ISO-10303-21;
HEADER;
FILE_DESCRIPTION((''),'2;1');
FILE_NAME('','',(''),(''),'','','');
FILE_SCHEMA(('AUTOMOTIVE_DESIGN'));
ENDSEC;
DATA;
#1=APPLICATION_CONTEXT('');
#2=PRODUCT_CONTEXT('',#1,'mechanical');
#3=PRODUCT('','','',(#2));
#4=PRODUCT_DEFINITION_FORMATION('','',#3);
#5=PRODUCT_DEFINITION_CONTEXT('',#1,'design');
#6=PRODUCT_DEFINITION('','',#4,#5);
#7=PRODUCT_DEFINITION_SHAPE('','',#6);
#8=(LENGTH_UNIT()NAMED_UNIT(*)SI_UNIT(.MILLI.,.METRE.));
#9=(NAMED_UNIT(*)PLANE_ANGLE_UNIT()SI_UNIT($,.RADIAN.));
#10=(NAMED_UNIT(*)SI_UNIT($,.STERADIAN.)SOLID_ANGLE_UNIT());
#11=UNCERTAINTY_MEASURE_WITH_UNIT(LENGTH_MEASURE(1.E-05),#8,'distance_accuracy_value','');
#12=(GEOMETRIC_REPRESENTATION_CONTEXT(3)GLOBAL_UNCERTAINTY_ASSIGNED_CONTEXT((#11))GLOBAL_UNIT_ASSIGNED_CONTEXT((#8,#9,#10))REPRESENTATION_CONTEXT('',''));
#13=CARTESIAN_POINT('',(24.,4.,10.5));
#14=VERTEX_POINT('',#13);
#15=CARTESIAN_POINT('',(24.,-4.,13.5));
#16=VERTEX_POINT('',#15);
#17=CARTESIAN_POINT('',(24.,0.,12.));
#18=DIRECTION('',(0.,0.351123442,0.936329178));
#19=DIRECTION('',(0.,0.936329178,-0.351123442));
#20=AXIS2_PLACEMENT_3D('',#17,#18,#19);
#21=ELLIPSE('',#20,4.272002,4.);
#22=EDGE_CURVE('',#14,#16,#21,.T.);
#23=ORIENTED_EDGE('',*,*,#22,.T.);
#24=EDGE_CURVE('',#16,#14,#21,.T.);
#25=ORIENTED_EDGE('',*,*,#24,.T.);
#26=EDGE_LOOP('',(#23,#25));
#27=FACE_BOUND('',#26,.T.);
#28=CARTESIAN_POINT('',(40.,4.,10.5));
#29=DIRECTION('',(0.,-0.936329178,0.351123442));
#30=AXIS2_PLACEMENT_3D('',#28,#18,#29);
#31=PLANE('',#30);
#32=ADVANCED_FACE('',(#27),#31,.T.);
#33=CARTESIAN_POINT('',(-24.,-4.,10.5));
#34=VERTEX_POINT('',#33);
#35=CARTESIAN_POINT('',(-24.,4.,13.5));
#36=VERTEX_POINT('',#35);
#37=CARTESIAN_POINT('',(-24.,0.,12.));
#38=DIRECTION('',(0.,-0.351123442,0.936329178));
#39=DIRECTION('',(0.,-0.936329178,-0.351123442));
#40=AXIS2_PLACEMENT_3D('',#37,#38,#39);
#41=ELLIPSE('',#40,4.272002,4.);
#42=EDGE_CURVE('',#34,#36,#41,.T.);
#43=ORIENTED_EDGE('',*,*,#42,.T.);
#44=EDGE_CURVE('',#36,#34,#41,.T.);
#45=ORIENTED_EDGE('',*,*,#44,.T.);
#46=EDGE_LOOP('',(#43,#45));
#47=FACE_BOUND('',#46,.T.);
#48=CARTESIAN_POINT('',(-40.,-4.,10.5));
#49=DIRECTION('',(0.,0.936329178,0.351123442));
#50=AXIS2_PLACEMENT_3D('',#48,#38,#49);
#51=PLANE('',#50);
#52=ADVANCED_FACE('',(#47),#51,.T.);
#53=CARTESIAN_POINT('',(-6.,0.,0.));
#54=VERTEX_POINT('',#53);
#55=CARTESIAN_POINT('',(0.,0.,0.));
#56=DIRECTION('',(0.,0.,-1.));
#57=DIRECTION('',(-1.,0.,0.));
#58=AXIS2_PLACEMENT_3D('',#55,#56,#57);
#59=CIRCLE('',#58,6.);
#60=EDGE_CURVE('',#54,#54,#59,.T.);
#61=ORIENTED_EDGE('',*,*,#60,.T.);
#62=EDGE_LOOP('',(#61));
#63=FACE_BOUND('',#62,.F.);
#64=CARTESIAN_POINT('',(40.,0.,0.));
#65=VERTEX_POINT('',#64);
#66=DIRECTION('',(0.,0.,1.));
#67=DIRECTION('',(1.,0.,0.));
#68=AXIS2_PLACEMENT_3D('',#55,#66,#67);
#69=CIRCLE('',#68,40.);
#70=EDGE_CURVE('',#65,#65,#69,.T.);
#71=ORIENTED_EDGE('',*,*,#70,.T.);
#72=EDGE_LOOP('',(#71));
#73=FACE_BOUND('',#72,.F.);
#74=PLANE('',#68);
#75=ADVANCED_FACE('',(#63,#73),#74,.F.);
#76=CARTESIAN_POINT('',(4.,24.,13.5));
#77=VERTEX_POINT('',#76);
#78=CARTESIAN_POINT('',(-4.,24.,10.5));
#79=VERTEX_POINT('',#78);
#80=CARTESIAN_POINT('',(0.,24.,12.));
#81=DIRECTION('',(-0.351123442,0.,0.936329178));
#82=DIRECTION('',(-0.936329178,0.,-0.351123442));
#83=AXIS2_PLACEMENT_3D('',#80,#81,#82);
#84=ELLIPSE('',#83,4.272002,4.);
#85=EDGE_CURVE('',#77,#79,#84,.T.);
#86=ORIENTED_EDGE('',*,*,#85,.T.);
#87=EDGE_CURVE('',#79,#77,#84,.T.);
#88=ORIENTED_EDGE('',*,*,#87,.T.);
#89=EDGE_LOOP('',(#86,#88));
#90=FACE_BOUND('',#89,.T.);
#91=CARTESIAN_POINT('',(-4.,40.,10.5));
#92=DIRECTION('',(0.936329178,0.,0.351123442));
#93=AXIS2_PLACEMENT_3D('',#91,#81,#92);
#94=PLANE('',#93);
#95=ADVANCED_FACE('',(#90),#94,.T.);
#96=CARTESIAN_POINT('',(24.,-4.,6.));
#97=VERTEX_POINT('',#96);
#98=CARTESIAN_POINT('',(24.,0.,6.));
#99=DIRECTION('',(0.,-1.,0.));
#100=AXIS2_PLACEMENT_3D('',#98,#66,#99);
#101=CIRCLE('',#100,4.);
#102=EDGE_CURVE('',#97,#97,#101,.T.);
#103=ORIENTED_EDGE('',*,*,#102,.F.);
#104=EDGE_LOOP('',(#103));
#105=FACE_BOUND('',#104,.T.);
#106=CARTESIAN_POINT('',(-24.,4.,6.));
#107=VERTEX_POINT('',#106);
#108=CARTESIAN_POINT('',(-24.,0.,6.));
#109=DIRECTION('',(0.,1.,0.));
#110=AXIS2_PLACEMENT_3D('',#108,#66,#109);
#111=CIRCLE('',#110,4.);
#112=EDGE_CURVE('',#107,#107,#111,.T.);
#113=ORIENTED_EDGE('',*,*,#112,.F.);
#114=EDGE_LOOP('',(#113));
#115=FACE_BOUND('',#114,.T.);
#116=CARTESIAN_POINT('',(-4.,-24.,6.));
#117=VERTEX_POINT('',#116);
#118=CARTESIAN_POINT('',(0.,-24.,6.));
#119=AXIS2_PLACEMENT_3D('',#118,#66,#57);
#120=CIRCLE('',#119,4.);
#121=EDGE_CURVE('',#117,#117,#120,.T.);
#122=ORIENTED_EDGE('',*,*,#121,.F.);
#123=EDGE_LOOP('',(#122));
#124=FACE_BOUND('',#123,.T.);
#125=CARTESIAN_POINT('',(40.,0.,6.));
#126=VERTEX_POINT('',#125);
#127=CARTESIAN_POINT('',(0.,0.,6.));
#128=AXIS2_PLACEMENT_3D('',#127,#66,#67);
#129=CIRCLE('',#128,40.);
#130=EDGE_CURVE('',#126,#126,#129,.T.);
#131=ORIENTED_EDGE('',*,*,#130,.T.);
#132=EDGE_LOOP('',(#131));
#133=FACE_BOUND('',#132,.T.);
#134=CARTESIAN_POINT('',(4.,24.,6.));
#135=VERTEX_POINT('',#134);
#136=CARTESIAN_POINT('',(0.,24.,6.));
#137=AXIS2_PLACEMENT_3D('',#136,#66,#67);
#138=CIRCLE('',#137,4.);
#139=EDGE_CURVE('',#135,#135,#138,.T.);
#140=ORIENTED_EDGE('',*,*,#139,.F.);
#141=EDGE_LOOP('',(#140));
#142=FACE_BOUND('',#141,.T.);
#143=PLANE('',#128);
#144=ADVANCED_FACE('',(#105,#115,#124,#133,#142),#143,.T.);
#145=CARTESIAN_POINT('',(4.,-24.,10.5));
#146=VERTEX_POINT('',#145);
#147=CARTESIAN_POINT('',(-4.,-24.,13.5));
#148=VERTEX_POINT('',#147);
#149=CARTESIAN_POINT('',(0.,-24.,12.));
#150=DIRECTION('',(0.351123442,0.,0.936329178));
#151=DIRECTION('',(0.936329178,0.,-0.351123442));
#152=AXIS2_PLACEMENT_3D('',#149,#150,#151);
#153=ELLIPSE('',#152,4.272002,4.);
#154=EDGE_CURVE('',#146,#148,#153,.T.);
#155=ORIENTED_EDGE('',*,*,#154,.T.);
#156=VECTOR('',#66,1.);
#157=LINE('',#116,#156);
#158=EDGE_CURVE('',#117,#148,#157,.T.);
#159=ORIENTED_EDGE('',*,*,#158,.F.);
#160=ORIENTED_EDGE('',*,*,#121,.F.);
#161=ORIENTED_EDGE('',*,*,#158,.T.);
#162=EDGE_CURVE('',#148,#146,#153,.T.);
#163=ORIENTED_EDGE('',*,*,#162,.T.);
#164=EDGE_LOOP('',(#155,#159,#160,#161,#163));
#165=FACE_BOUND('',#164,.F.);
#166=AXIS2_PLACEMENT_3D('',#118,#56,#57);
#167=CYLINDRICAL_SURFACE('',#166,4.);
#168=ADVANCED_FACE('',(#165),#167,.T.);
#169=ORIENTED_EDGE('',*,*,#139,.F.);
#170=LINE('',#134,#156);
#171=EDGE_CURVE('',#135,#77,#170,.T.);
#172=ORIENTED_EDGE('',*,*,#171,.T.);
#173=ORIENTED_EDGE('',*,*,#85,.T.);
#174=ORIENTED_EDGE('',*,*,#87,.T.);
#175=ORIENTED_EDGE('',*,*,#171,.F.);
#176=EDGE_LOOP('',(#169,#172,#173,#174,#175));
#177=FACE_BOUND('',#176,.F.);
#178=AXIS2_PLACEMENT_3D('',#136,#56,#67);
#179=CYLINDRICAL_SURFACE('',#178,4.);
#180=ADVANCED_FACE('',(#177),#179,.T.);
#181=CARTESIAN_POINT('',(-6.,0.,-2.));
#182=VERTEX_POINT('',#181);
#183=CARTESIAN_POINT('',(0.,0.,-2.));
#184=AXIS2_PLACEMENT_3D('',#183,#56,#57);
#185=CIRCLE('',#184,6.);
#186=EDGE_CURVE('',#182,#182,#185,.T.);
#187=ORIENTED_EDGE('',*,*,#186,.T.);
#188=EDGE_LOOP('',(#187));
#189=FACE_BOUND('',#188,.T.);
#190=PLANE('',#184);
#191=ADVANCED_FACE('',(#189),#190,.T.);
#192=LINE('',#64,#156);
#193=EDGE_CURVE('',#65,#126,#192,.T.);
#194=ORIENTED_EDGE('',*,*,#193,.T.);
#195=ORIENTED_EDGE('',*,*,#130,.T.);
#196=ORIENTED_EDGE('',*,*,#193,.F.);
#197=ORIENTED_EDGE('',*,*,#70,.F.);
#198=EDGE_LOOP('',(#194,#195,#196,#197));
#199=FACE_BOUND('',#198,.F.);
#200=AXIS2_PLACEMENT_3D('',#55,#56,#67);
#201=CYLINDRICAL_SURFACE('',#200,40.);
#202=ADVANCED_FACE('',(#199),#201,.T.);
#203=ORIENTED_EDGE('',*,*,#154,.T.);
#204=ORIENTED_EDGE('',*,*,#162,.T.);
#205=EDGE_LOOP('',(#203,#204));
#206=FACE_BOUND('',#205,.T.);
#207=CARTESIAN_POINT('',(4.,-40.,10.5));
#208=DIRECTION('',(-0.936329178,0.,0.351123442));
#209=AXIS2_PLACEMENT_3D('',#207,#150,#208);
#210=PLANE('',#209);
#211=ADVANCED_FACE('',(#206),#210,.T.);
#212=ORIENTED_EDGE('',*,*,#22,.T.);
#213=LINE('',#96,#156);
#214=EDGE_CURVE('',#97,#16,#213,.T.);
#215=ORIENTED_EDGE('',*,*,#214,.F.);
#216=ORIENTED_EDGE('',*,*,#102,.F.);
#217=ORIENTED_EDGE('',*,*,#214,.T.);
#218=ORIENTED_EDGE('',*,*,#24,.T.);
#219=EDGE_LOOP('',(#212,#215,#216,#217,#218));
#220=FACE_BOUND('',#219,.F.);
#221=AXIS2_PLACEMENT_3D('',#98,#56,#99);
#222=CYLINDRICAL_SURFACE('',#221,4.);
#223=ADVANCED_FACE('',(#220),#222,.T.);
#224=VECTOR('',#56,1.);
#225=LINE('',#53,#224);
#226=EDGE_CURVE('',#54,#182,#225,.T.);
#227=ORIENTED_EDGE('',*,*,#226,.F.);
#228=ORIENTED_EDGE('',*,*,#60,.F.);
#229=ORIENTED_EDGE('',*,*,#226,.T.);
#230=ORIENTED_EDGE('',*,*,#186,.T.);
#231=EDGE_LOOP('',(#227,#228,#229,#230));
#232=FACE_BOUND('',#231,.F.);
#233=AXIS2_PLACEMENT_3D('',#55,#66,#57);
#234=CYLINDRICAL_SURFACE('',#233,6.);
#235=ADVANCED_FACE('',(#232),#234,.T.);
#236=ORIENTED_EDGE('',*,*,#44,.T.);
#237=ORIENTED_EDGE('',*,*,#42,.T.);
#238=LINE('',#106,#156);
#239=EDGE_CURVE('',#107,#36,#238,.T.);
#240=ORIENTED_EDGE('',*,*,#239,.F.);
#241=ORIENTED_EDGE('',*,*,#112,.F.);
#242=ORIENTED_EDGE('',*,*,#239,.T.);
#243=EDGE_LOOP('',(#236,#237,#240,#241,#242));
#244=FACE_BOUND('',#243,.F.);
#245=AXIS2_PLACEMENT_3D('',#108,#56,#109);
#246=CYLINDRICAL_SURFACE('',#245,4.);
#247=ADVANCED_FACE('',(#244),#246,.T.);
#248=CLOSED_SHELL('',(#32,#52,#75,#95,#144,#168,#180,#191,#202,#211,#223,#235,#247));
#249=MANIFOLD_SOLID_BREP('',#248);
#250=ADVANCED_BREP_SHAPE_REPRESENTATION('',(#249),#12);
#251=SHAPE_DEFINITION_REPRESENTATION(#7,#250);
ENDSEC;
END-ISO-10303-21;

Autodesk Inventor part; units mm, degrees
ref_plane "YZ Plane" through (0, 0, 0) normal (1, 0, 0) x (0, 1, 0)
ref_plane "XZ Plane" through (0, 0, 0) normal (0, 1, 0) x (-1, 0, 0)
ref_plane "XY Plane" through (0, 0, 0) normal (0, 0, 1) x (1, 0, 0)
sketch "Sketch1" plane through (0, 0, 0) normal (0, 0, 1) x (1, 0, 0)
  circle A0 centre (0, 0) radius 40
  dimension "d0" = 80
extrude "Extrusion1" add sketch "Sketch1" along normal blind 6
sketch "Sketch2" plane through (0, 0, 6) normal (0, 0, 1) x (1, 0, 0)
  circle A0 centre (0, 24) radius 4
  point P0 (0, 0)
  dimension "d3" = 8
  dimension "d4" = 24
extrude "Extrusion2" add sketch "Sketch2" along normal blind 7.5
sketch "Sketch3" plane through (0, 0, 6) normal (0, 0, 1) x (1, 0, 0)
  line L0 (0, 0) -> (0, 40) construction
  circle A0 centre (0, 0) radius 40 construction
ref_plane "Work Plane1" through (0, 40, 6) normal (0, 1, 0) x (-1, 0, 0)
sketch "Sketch4" plane through (0, 40, 6) normal (0, 1, 0) x (-1, 0, 0)
  line L0 (-4.5029, 7.5) -> (4.4959, 7.5)
  line L1 (4, 7.5) -> (-4, 7.5) projected
  line L2 (-4, 0) -> (-4, 7.5) projected
  line L3 (4, 7.5) -> (4, 4.5)
  line L4 (4, 4.5) -> (-4, 7.5)
  point P0 (0, -6)
  dimension "d12" = 3
extrude "Extrusion3" cut sketch "Sketch4" against normal blind 25
pattern_circular "Circular Pattern1" count 4 over 360 about axis through (0, 0, 0) along (0, 0, 1) of "Extrusion2", "Extrusion3"
sketch "Sketch5" plane through (0, 0, 0) normal (0, 0, -1) x (-1, 0, 0)
  circle A0 centre (0, 0) radius 6
  dimension "d13" = 12
extrude "Extrusion4" add sketch "Sketch5" along normal blind 2
properties part number "innerbaycon4"
